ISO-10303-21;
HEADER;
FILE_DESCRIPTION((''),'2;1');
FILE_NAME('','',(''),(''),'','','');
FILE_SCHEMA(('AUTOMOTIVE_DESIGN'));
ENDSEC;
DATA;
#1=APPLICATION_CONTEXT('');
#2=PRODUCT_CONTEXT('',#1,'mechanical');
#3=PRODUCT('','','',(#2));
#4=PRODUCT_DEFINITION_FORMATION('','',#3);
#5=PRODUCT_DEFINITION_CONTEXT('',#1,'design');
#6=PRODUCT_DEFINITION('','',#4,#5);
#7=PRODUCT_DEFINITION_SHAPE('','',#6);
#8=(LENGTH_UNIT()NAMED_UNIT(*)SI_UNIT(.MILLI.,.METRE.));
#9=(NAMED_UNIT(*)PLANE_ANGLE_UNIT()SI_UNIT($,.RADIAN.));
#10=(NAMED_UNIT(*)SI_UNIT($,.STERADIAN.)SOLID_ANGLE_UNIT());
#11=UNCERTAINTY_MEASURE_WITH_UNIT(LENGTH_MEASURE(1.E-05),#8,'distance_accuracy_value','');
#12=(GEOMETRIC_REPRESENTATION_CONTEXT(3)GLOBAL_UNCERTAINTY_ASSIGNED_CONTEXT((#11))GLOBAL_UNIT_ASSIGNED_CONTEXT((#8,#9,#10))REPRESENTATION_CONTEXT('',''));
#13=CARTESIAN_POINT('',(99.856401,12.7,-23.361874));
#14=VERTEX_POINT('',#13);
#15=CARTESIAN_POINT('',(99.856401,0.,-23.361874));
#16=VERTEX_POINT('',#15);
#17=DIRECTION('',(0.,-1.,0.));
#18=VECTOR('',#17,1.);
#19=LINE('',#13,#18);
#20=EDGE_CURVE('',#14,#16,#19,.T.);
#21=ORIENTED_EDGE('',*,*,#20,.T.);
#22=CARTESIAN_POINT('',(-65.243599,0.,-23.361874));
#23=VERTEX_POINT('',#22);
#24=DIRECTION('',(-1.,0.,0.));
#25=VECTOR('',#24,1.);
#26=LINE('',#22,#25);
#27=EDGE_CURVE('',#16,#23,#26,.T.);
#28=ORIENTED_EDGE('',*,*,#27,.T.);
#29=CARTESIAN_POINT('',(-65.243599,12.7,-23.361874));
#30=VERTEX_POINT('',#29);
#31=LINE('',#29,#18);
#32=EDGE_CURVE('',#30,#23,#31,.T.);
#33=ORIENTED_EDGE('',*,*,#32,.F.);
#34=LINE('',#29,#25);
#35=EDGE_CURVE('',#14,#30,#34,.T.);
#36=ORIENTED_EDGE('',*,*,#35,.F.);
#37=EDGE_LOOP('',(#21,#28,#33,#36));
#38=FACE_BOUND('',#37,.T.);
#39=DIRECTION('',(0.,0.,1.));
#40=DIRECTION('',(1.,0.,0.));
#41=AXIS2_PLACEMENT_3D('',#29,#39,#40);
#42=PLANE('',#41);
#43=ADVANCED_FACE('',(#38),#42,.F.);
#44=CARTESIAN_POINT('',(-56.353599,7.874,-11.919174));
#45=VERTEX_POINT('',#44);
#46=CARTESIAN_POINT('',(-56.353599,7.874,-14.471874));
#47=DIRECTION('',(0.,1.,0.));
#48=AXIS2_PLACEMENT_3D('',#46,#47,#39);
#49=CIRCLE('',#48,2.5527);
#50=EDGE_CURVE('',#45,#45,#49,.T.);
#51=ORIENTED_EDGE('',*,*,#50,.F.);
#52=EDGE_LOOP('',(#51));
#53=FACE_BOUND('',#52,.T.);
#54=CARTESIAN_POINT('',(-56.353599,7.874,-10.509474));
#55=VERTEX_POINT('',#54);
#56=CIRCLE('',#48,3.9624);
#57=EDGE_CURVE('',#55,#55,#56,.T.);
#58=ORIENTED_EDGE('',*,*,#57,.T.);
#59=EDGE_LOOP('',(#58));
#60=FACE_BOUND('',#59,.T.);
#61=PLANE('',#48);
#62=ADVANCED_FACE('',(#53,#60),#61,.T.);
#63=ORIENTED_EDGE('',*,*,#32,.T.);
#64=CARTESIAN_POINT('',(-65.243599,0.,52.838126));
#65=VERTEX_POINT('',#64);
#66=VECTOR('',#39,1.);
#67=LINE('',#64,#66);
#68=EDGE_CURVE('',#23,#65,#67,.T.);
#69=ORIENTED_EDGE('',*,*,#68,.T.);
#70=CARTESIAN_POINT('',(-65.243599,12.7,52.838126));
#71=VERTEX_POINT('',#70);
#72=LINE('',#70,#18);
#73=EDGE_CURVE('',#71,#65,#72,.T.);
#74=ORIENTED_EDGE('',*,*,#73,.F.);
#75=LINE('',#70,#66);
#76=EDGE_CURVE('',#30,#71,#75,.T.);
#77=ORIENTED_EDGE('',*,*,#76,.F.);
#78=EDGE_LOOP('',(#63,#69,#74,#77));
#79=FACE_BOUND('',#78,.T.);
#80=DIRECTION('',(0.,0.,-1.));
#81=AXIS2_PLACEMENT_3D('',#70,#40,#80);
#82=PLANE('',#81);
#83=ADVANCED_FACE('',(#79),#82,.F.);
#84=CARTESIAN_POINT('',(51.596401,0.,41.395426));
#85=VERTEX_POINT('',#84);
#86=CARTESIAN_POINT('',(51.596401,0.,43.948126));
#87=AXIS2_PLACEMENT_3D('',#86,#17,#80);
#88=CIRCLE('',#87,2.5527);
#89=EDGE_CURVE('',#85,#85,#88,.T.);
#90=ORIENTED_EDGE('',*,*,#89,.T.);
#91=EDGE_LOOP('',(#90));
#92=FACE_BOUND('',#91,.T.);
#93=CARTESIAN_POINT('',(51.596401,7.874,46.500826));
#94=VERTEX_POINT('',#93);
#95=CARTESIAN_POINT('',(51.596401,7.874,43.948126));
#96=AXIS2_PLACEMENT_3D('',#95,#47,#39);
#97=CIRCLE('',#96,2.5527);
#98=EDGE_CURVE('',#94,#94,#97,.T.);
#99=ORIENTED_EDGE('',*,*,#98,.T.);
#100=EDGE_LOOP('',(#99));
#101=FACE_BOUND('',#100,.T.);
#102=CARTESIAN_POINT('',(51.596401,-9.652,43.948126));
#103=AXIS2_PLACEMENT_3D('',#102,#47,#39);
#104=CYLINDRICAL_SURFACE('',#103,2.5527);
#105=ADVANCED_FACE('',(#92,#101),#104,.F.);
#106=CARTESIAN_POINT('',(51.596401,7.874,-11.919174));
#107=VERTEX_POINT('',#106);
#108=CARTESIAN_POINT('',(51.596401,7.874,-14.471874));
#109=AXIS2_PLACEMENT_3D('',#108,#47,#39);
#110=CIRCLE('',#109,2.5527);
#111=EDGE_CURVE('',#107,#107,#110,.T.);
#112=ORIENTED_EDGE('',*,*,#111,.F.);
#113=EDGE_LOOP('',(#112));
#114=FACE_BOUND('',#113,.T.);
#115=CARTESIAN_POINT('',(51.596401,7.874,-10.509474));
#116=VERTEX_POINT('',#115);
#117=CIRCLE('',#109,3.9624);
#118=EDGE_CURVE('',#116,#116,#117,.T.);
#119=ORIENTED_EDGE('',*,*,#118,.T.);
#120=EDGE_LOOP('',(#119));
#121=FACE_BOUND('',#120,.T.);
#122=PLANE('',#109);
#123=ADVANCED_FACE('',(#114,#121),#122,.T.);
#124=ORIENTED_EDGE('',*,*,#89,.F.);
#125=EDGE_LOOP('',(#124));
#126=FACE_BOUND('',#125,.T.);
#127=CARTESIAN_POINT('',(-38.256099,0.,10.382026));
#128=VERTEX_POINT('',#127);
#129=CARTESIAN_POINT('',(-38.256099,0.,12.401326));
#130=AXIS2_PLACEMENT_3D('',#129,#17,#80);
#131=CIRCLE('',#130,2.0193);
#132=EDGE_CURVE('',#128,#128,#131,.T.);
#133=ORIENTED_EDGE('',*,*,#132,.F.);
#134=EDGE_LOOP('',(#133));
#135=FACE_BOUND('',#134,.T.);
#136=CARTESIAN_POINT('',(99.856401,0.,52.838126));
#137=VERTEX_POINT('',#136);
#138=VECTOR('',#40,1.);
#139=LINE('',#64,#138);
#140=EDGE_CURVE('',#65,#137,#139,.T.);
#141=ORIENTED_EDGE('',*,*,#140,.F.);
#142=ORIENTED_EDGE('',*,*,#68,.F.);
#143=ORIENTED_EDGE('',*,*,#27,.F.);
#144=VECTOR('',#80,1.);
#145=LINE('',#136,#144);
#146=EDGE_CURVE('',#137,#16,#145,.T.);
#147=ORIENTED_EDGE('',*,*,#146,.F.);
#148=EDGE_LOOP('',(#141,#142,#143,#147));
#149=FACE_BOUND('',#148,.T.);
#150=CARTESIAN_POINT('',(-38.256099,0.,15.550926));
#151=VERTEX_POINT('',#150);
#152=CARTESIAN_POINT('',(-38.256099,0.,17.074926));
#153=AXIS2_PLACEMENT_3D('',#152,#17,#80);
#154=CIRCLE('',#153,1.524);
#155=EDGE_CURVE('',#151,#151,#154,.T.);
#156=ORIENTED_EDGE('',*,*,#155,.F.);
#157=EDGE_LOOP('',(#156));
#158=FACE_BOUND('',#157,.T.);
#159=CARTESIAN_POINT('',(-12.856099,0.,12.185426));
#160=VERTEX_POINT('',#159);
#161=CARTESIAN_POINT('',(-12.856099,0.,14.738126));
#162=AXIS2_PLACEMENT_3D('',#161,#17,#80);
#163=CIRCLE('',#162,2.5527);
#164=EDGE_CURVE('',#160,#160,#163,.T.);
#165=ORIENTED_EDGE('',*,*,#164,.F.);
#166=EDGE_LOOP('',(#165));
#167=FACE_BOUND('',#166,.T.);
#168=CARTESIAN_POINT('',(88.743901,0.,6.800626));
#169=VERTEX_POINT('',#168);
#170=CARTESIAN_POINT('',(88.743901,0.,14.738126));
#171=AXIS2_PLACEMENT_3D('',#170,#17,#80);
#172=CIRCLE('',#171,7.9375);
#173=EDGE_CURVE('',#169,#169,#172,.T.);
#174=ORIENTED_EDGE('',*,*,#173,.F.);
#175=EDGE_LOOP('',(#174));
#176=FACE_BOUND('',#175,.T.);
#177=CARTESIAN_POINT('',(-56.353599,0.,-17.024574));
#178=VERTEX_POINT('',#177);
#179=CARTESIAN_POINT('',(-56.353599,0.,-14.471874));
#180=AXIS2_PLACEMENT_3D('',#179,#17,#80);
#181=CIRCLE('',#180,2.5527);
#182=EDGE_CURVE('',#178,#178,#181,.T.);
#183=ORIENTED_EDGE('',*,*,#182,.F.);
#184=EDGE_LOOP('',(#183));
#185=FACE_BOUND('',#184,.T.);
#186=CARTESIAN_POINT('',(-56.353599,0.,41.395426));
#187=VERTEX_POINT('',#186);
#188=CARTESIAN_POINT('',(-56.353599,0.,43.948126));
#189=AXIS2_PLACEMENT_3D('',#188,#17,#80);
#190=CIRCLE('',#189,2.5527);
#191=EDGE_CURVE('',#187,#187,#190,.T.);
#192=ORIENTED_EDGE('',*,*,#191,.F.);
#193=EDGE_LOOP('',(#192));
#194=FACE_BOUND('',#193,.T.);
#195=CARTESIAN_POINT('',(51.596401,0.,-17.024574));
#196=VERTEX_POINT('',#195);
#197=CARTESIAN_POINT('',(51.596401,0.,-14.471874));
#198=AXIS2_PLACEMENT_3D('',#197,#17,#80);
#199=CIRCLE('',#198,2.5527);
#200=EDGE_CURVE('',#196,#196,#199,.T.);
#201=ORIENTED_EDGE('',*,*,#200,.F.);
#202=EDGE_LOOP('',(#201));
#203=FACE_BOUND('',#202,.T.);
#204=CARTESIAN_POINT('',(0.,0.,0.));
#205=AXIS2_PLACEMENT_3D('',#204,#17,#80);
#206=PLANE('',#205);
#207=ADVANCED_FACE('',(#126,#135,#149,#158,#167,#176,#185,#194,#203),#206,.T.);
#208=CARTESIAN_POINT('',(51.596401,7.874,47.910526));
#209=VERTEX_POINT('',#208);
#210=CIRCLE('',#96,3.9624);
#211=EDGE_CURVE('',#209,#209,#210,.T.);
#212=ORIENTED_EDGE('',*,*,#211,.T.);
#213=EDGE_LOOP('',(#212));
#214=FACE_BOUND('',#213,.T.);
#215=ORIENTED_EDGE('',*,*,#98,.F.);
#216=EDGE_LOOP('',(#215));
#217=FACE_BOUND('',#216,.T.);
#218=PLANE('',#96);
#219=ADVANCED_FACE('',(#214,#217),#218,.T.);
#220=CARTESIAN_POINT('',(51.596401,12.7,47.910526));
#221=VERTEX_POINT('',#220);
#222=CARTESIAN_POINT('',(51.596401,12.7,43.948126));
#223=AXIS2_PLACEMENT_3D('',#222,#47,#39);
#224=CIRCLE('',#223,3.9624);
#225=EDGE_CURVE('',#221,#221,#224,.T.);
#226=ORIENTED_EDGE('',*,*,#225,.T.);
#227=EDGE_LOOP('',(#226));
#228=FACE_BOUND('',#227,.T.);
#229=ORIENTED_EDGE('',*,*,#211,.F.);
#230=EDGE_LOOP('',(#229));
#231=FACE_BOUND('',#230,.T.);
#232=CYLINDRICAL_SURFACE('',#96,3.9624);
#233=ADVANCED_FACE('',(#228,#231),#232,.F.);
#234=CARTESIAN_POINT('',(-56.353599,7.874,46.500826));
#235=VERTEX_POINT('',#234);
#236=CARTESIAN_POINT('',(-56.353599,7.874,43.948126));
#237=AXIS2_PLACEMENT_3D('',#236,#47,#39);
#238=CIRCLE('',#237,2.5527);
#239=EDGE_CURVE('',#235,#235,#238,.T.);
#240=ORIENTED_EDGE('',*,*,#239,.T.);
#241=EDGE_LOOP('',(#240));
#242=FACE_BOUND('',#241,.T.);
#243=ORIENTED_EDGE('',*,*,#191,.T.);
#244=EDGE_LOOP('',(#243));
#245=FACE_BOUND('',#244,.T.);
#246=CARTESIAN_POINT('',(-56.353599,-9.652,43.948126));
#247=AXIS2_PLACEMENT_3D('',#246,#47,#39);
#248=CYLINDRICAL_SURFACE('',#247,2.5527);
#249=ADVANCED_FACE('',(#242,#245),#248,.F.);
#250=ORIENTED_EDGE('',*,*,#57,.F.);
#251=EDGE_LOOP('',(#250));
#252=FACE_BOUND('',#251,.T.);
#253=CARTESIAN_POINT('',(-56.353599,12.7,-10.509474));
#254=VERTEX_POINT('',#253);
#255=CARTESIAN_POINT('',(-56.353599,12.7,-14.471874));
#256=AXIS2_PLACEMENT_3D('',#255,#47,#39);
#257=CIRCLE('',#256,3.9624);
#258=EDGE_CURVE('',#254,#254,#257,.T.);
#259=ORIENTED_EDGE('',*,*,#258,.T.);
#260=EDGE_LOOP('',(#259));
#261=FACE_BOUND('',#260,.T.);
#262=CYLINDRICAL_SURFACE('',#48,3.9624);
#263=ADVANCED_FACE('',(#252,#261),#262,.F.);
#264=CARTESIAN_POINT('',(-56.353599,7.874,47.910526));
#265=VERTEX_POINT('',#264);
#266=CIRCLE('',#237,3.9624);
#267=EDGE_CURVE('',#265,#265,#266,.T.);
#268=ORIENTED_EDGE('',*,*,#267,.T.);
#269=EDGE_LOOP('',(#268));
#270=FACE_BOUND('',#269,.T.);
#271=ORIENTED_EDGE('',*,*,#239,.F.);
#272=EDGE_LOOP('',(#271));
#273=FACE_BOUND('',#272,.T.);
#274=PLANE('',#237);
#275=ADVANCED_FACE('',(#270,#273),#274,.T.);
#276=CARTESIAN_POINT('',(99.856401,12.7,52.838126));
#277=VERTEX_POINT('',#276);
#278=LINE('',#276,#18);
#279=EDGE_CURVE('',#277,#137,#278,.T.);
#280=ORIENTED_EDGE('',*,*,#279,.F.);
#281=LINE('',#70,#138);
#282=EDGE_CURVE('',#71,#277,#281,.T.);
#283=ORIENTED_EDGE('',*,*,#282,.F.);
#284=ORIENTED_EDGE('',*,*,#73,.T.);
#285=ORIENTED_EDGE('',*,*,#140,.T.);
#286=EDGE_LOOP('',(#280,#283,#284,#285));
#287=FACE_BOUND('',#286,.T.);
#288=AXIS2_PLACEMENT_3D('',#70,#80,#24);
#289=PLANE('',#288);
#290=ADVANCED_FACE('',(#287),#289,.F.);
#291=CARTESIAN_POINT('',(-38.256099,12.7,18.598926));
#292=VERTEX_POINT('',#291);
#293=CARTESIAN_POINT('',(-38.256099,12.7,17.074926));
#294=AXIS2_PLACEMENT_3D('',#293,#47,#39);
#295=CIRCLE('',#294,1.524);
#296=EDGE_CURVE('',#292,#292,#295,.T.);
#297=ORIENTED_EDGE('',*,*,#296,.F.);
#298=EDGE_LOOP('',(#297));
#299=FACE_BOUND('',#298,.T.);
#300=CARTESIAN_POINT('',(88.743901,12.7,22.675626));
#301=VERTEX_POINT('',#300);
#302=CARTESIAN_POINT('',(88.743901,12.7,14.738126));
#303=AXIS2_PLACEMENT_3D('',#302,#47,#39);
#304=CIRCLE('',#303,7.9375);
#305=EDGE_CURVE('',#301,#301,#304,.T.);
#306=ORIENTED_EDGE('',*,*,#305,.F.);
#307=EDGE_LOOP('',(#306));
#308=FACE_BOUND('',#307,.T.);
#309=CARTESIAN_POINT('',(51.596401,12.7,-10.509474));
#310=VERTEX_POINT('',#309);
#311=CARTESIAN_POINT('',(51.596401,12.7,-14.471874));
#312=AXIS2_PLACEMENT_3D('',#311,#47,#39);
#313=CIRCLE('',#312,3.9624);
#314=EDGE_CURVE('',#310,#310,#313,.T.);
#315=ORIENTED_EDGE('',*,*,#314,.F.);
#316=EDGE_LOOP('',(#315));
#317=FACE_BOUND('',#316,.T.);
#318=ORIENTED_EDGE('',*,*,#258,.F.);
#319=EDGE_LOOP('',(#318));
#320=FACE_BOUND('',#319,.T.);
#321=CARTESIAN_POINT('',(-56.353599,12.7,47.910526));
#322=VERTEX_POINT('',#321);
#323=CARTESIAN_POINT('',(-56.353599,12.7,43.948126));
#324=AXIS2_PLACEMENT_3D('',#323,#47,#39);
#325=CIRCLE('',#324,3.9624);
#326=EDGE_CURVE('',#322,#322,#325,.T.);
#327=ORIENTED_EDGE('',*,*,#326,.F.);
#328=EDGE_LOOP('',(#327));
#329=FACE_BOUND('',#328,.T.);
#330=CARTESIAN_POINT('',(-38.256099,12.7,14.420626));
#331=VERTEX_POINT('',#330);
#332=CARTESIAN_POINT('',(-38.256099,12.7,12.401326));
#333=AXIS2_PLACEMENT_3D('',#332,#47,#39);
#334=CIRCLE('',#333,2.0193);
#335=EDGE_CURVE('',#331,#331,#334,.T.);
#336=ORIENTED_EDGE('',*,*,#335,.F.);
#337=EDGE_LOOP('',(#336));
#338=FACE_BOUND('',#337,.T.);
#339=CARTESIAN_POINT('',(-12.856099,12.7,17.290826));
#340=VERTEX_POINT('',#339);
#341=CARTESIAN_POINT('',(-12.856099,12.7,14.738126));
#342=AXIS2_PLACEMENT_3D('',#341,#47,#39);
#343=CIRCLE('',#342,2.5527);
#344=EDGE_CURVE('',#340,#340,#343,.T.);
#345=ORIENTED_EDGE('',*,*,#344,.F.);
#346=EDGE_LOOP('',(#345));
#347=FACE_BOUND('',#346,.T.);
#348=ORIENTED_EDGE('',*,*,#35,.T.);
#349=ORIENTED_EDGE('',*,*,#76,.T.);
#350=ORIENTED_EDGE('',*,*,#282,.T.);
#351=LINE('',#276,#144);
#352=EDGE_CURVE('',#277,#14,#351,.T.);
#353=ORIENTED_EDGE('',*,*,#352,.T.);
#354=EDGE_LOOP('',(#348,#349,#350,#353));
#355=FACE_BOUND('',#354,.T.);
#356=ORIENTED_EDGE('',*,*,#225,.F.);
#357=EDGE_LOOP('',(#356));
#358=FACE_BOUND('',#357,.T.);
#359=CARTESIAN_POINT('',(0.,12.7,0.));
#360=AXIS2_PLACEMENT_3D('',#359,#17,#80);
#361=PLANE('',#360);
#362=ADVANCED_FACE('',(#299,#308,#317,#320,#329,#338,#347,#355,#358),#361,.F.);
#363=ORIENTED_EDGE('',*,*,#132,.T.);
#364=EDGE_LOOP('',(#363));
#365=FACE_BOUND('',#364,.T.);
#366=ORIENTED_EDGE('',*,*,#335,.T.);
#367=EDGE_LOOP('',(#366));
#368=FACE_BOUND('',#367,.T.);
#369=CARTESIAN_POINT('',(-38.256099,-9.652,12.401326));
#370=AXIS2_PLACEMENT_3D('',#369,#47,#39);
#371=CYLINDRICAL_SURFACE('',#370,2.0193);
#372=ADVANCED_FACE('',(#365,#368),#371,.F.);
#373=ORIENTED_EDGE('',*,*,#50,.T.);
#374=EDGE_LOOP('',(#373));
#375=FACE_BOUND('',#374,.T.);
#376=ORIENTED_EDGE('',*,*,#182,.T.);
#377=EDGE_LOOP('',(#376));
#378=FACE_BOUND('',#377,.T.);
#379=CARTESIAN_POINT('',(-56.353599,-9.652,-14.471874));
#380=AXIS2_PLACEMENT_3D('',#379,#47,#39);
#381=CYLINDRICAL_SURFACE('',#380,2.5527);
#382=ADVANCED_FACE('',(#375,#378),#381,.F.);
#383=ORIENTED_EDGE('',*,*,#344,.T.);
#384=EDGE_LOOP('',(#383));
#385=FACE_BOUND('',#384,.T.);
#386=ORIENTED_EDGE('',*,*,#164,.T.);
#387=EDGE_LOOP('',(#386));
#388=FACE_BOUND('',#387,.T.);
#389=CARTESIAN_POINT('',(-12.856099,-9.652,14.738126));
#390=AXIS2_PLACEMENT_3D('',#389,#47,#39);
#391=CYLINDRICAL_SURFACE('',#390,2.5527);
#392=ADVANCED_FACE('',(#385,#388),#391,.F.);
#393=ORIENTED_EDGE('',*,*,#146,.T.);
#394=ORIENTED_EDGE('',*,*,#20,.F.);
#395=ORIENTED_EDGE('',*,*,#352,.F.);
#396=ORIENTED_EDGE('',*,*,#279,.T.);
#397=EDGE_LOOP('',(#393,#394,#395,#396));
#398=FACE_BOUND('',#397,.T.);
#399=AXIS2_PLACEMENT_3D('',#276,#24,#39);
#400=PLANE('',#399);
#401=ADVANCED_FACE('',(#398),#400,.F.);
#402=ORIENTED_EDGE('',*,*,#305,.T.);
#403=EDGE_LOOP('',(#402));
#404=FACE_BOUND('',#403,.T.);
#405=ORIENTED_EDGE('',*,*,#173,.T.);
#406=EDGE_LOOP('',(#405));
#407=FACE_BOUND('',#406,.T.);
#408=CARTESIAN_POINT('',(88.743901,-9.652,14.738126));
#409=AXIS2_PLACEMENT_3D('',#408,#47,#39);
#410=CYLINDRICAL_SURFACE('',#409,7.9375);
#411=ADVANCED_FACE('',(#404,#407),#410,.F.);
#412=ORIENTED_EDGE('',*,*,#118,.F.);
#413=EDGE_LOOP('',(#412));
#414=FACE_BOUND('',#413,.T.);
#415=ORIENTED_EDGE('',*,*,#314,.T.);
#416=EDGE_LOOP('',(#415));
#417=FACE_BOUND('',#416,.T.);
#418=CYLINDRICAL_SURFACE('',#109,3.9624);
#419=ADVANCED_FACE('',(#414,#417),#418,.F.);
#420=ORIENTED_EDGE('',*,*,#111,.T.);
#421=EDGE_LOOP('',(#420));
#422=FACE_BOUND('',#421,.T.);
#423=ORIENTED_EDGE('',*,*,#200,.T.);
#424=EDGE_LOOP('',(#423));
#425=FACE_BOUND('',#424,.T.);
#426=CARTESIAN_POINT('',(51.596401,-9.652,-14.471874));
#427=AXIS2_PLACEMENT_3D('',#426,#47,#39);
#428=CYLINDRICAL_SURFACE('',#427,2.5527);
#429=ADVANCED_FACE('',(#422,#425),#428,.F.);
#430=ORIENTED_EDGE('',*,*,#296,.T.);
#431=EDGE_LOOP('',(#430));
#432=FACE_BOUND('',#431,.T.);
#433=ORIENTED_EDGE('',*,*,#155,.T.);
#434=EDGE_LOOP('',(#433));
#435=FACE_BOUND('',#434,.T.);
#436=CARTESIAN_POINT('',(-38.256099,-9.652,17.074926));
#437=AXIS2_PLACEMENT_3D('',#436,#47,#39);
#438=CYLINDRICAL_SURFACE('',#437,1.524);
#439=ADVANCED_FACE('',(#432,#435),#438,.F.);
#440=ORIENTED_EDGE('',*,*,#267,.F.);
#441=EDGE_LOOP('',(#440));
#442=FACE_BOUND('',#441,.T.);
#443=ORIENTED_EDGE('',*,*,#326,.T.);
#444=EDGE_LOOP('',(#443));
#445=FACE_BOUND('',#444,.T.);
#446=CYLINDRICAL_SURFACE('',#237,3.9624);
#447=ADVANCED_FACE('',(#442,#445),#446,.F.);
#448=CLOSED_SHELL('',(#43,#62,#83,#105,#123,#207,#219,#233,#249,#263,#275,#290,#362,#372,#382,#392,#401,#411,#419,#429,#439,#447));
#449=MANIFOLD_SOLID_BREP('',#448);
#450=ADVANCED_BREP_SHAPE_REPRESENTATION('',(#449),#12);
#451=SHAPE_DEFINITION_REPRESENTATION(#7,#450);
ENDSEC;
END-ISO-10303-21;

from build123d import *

# Parameters (mm, degrees)
SKETCH1_W           = 165.1
SKETCH1_H           = 76.2
BOSS_EXTRUDE1_DEPTH = 12.7
SKETCH2_R           = 3.9624
SKETCH2_R_2         = 2.5527
CUT_EXTRUDE3_DEPTH  = 4.826
SKETCH10_R          = 2.5527
CUT_EXTRUDE9_DEPTH  = 22.352
SKETCH11_R          = 7.9375
SKETCH11_R_2        = 2.5527
SKETCH11_R_3        = 2.0193
SKETCH11_R_4        = 1.524
CUT_EXTRUDE10_DEPTH = 22.352


with BuildPart() as part:
    # Sketch1 → Boss-Extrude1 (new body)
    with BuildSketch(Plane(origin=(0, 0, 0), x_dir=(1, 0, 0), z_dir=(0, 1, 0))):
        with Locations((17.306400742, -14.73812616)):
            Rectangle(SKETCH1_W, SKETCH1_H)
    extrude(amount=BOSS_EXTRUDE1_DEPTH)

    # Sketch2 → Cut-Extrude3 (cut)
    # profile 1 of 4: a face of its own
    with BuildSketch(Plane(origin=(0, 12.7, 0), x_dir=(1, 0, 0), z_dir=(0, 1, 0))):
        with Locations(Location((-56.353599258, -43.94812616, 0), (0, 0, 270))):
            Circle(SKETCH2_R)
        with Locations(Location((-56.353599258, -43.94812616, 0), (0, 0, 270))):
            Circle(SKETCH2_R_2, mode=Mode.SUBTRACT)
    # profile 2 of 4: a face of its own
    with BuildSketch(Plane(origin=(0, 12.7, 0), x_dir=(1, 0, 0), z_dir=(0, 1, 0))):
        with Locations(Location((-56.353599258, 14.47187384, 0), (0, 0, 270))):
            Circle(SKETCH2_R)
        with Locations(Location((-56.353599258, 14.47187384, 0), (0, 0, 270))):
            Circle(SKETCH2_R_2, mode=Mode.SUBTRACT)
    # profile 3 of 4: a face of its own
    with BuildSketch(Plane(origin=(0, 12.7, 0), x_dir=(1, 0, 0), z_dir=(0, 1, 0))):
        with Locations(Location((51.596400742, 14.47187384, 0), (0, 0, 270))):
            Circle(SKETCH2_R)
        with Locations(Location((51.596400742, 14.47187384, 0), (0, 0, 270))):
            Circle(SKETCH2_R_2, mode=Mode.SUBTRACT)
    # profile 4 of 4: a face of its own
    with BuildSketch(Plane(origin=(0, 12.7, 0), x_dir=(1, 0, 0), z_dir=(0, 1, 0))):
        with Locations(Location((51.596400742, -43.94812616, 0), (0, 0, 270))):
            Circle(SKETCH2_R)
        with Locations(Location((51.596400742, -43.94812616, 0), (0, 0, 270))):
            Circle(SKETCH2_R_2, mode=Mode.SUBTRACT)
    extrude(amount=-CUT_EXTRUDE3_DEPTH, mode=Mode.SUBTRACT)

    # Sketch10 → Cut-Extrude9 (cut)
    with BuildSketch(Plane(origin=(0, 12.7, 0), x_dir=(1, 0, 0), z_dir=(0, 1, 0))):
        with Locations(Location((-56.353599258, -43.94812616, 0), (0, 0, 270))):
            Circle(SKETCH10_R)
        with Locations(Location((-56.353599258, 14.47187384, 0), (0, 0, 270))):
            Circle(SKETCH10_R)
        with Locations(Location((51.596400742, 14.47187384, 0), (0, 0, 270))):
            Circle(SKETCH10_R)
        with Locations(Location((51.596400742, -43.94812616, 0), (0, 0, 270))):
            Circle(SKETCH10_R)
    extrude(amount=-CUT_EXTRUDE9_DEPTH, mode=Mode.SUBTRACT)

    # Sketch11 → Cut-Extrude10 (cut)
    with BuildSketch(Plane(origin=(0, 12.7, 0), x_dir=(1, 0, 0), z_dir=(0, 1, 0))):
        with Locations(Location((88.743900742, -14.73812616, 0), (0, 0, 270))):
            Circle(SKETCH11_R)
        with Locations(Location((-12.856099258, -14.73812616, 0), (0, 0, 270))):
            Circle(SKETCH11_R_2)
        with Locations(Location((-38.256099258, -12.40132616, 0), (0, 0, 270))):
            Circle(SKETCH11_R_3)
        with Locations(Location((-38.256099258, -17.07492616, 0), (0, 0, 270))):
            Circle(SKETCH11_R_4)
    extrude(amount=-CUT_EXTRUDE10_DEPTH, mode=Mode.SUBTRACT)


solid = part.part
